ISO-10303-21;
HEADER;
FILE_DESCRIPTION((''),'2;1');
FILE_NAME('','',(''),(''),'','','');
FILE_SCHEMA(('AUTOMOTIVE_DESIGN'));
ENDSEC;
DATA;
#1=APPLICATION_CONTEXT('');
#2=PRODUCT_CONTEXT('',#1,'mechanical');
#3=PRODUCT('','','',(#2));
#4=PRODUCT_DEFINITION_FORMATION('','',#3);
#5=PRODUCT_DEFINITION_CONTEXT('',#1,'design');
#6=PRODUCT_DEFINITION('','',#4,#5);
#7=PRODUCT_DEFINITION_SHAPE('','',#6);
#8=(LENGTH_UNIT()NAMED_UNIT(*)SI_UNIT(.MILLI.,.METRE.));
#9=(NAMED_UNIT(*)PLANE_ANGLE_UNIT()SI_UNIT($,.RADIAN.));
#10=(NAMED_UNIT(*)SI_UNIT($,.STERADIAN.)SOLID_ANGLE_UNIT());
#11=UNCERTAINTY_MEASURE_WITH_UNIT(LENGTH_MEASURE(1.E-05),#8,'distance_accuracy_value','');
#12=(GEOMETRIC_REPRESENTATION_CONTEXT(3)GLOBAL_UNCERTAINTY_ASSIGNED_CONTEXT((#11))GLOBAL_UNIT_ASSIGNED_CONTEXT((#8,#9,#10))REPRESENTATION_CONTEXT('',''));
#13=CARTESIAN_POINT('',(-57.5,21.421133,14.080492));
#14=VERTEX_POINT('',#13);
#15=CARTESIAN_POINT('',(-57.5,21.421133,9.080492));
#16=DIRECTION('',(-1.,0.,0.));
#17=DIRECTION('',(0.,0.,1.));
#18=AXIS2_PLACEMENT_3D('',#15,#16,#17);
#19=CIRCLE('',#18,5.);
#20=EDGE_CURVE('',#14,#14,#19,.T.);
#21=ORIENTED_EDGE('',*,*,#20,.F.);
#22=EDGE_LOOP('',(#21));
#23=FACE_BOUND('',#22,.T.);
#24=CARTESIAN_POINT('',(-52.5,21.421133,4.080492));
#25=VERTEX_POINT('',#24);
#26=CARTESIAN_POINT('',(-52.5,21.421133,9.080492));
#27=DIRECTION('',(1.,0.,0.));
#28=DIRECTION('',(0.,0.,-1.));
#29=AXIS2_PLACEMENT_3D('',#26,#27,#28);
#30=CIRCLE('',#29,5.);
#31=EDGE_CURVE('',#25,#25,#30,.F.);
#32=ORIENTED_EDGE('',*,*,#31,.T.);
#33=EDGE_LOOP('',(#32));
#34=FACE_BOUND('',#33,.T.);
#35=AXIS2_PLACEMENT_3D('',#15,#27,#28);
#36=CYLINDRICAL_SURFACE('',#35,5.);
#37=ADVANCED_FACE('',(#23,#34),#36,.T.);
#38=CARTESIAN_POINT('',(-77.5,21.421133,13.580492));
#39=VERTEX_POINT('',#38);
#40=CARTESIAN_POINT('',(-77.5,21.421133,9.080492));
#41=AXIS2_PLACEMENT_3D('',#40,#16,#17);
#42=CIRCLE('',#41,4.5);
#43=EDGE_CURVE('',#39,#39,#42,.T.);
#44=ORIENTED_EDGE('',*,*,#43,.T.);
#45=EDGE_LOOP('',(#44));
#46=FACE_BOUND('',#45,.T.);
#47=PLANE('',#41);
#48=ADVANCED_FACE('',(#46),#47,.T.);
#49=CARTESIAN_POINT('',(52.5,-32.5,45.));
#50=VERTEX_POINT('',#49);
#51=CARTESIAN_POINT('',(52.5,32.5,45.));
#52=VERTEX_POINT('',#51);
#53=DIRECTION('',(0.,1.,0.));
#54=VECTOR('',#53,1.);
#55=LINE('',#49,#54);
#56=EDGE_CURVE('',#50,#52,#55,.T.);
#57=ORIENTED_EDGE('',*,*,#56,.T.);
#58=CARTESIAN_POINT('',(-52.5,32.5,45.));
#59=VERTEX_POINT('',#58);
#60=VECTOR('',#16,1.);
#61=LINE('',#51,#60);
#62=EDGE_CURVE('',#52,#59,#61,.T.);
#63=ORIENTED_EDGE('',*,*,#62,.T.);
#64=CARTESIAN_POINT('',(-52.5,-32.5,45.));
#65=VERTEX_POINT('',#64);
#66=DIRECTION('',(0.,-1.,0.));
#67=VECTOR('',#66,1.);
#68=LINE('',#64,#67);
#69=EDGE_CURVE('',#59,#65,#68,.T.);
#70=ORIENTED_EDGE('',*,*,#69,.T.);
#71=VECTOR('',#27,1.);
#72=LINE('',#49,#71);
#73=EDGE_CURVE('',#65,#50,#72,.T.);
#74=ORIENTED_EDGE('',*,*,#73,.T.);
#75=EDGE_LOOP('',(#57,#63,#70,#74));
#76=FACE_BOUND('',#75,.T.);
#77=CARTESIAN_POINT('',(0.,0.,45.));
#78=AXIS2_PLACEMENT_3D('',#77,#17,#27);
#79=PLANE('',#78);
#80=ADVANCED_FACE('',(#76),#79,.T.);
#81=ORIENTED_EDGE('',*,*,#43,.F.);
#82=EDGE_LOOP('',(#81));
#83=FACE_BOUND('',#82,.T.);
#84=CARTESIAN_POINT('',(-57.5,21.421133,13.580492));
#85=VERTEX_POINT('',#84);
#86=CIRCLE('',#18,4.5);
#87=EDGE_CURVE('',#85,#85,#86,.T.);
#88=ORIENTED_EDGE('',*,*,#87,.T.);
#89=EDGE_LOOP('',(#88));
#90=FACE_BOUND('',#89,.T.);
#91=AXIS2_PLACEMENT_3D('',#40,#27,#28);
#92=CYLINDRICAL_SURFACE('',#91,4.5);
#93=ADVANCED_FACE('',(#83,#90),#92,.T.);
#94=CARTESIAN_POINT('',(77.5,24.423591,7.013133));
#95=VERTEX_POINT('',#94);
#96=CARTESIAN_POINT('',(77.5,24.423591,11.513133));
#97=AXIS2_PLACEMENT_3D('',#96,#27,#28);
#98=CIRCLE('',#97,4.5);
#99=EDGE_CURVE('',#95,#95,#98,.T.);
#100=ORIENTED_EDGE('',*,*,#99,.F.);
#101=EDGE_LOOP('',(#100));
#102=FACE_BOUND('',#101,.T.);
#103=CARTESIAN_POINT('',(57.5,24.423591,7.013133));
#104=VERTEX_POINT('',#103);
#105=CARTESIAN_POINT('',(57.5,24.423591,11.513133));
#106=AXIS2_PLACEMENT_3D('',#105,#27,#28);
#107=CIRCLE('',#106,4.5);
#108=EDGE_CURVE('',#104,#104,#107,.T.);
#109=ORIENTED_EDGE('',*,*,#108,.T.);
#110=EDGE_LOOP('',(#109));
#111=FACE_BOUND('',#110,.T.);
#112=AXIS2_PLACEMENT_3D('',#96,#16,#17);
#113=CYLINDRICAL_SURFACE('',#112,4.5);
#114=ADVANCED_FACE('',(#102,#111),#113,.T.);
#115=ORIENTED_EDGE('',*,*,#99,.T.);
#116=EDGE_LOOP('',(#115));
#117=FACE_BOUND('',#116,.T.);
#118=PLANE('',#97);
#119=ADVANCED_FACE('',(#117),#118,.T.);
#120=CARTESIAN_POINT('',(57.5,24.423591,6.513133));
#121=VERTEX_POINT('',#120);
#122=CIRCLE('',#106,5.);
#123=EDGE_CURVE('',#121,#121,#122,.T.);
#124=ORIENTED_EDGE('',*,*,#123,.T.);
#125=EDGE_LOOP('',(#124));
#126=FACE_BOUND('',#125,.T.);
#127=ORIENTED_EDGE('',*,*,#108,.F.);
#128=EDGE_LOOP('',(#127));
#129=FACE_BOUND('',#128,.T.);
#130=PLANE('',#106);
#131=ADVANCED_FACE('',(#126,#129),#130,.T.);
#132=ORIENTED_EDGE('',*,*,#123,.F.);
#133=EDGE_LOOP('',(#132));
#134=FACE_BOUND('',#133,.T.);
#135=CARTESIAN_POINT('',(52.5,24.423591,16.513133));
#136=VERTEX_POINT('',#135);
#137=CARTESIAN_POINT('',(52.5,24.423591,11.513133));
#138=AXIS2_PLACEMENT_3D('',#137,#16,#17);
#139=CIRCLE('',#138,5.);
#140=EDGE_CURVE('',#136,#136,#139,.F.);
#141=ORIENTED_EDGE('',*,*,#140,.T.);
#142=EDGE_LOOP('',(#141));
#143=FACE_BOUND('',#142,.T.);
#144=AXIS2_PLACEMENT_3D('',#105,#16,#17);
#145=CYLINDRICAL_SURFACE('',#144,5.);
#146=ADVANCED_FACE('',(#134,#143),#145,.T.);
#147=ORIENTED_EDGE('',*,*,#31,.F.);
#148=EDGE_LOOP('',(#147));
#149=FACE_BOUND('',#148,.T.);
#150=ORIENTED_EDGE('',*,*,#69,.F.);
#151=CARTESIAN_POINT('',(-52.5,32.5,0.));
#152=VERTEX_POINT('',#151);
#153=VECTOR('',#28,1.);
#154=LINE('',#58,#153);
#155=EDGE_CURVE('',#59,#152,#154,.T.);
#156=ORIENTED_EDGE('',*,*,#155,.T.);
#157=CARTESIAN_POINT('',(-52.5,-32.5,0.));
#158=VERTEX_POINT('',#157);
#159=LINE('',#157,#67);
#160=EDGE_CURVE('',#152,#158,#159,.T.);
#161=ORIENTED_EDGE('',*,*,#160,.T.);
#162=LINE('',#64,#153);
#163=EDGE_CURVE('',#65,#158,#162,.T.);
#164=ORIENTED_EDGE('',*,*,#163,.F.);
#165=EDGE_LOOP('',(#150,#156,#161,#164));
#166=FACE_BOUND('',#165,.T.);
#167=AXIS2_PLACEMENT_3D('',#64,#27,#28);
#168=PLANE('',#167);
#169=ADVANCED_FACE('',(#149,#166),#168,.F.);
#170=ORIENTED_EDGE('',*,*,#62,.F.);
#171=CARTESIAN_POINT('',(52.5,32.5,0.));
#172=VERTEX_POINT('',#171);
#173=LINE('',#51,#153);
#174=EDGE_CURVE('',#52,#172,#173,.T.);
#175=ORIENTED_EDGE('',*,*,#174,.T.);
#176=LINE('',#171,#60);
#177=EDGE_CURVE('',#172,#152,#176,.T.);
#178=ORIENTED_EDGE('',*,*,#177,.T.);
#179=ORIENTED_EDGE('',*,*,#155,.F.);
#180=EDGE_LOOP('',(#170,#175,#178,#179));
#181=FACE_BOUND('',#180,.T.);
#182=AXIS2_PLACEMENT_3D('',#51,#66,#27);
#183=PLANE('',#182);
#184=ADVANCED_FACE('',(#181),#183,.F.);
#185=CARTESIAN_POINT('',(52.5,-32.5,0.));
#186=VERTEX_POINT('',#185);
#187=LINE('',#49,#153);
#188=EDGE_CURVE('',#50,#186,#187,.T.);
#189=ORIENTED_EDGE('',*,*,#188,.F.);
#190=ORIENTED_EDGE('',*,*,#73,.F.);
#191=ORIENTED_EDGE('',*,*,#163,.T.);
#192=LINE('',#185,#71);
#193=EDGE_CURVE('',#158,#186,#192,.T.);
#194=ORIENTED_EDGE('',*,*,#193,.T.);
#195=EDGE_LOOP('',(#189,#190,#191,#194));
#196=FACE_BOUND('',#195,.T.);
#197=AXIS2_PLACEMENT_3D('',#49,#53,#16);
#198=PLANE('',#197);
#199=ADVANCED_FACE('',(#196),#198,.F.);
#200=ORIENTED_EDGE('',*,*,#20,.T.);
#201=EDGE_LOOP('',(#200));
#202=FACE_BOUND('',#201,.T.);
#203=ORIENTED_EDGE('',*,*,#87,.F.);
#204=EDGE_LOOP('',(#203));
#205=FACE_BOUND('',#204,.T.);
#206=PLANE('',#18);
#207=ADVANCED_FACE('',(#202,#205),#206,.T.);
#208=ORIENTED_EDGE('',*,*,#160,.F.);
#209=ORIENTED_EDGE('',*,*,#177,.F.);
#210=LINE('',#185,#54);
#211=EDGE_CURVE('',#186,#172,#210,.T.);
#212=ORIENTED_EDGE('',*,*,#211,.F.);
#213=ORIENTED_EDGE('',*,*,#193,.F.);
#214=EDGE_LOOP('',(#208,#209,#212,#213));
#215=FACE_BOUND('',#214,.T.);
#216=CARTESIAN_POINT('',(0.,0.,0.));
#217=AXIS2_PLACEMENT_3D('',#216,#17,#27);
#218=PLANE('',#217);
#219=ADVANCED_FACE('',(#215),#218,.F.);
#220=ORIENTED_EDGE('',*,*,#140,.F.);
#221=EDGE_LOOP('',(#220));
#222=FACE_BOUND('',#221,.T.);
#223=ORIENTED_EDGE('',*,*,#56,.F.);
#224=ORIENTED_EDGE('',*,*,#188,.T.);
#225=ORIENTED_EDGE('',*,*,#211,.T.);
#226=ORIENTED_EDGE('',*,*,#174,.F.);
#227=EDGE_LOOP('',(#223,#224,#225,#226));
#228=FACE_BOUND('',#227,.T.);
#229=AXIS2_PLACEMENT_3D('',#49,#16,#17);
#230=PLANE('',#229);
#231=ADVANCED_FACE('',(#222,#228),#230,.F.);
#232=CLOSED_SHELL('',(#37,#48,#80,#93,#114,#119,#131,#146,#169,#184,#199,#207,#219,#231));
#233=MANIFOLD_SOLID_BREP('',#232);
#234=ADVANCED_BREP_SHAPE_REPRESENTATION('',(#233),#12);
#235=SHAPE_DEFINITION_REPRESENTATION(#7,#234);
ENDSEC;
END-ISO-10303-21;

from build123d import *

# Parameters (mm, degrees)
SKETCH1_W           = 105
SKETCH1_H           = 65
BOSS_EXTRUDE1_DEPTH = 45
SKETCH2_R           = 5
BOSS_EXTRUDE2_DEPTH = 5
SKETCH3_R           = 4.5
BOSS_EXTRUDE3_DEPTH = 20
SKETCH4_R           = 5
BOSS_EXTRUDE4_DEPTH = 5
SKETCH5_R           = 4.5
BOSS_EXTRUDE5_DEPTH = 20


with BuildPart() as part:
    # Sketch1 → Boss-Extrude1 (new body)
    with BuildSketch(Plane.XY):
        Rectangle(SKETCH1_W, SKETCH1_H)
    extrude(amount=BOSS_EXTRUDE1_DEPTH)

    # Sketch2 → Boss-Extrude2 (add)
    with BuildSketch(Plane.ZY.offset(52.5)):
        with Locations((9.080491803, 21.421132833)):
            Circle(SKETCH2_R)
    extrude(amount=BOSS_EXTRUDE2_DEPTH)

    # Sketch3 → Boss-Extrude3 (add)
    with BuildSketch(Plane.ZY.offset(57.5)):
        with Locations((9.080491803, 21.421132833)):
            Circle(SKETCH3_R)
    extrude(amount=BOSS_EXTRUDE3_DEPTH)

    # Sketch4 → Boss-Extrude4 (add)
    with BuildSketch(Plane(origin=(52.5, 0, 0), x_dir=(0, 0, -1), z_dir=(1, 0, 0))):
        with Locations((-11.51313285, 24.423590695)):
            Circle(SKETCH4_R)
    extrude(amount=BOSS_EXTRUDE4_DEPTH)

    # Sketch5 → Boss-Extrude5 (add)
    with BuildSketch(Plane(origin=(57.5, 0, 0), x_dir=(0, 0, -1), z_dir=(1, 0, 0))):
        with Locations((-11.51313285, 24.423590695)):
            Circle(SKETCH5_R)
    extrude(amount=BOSS_EXTRUDE5_DEPTH)


solid = part.part
